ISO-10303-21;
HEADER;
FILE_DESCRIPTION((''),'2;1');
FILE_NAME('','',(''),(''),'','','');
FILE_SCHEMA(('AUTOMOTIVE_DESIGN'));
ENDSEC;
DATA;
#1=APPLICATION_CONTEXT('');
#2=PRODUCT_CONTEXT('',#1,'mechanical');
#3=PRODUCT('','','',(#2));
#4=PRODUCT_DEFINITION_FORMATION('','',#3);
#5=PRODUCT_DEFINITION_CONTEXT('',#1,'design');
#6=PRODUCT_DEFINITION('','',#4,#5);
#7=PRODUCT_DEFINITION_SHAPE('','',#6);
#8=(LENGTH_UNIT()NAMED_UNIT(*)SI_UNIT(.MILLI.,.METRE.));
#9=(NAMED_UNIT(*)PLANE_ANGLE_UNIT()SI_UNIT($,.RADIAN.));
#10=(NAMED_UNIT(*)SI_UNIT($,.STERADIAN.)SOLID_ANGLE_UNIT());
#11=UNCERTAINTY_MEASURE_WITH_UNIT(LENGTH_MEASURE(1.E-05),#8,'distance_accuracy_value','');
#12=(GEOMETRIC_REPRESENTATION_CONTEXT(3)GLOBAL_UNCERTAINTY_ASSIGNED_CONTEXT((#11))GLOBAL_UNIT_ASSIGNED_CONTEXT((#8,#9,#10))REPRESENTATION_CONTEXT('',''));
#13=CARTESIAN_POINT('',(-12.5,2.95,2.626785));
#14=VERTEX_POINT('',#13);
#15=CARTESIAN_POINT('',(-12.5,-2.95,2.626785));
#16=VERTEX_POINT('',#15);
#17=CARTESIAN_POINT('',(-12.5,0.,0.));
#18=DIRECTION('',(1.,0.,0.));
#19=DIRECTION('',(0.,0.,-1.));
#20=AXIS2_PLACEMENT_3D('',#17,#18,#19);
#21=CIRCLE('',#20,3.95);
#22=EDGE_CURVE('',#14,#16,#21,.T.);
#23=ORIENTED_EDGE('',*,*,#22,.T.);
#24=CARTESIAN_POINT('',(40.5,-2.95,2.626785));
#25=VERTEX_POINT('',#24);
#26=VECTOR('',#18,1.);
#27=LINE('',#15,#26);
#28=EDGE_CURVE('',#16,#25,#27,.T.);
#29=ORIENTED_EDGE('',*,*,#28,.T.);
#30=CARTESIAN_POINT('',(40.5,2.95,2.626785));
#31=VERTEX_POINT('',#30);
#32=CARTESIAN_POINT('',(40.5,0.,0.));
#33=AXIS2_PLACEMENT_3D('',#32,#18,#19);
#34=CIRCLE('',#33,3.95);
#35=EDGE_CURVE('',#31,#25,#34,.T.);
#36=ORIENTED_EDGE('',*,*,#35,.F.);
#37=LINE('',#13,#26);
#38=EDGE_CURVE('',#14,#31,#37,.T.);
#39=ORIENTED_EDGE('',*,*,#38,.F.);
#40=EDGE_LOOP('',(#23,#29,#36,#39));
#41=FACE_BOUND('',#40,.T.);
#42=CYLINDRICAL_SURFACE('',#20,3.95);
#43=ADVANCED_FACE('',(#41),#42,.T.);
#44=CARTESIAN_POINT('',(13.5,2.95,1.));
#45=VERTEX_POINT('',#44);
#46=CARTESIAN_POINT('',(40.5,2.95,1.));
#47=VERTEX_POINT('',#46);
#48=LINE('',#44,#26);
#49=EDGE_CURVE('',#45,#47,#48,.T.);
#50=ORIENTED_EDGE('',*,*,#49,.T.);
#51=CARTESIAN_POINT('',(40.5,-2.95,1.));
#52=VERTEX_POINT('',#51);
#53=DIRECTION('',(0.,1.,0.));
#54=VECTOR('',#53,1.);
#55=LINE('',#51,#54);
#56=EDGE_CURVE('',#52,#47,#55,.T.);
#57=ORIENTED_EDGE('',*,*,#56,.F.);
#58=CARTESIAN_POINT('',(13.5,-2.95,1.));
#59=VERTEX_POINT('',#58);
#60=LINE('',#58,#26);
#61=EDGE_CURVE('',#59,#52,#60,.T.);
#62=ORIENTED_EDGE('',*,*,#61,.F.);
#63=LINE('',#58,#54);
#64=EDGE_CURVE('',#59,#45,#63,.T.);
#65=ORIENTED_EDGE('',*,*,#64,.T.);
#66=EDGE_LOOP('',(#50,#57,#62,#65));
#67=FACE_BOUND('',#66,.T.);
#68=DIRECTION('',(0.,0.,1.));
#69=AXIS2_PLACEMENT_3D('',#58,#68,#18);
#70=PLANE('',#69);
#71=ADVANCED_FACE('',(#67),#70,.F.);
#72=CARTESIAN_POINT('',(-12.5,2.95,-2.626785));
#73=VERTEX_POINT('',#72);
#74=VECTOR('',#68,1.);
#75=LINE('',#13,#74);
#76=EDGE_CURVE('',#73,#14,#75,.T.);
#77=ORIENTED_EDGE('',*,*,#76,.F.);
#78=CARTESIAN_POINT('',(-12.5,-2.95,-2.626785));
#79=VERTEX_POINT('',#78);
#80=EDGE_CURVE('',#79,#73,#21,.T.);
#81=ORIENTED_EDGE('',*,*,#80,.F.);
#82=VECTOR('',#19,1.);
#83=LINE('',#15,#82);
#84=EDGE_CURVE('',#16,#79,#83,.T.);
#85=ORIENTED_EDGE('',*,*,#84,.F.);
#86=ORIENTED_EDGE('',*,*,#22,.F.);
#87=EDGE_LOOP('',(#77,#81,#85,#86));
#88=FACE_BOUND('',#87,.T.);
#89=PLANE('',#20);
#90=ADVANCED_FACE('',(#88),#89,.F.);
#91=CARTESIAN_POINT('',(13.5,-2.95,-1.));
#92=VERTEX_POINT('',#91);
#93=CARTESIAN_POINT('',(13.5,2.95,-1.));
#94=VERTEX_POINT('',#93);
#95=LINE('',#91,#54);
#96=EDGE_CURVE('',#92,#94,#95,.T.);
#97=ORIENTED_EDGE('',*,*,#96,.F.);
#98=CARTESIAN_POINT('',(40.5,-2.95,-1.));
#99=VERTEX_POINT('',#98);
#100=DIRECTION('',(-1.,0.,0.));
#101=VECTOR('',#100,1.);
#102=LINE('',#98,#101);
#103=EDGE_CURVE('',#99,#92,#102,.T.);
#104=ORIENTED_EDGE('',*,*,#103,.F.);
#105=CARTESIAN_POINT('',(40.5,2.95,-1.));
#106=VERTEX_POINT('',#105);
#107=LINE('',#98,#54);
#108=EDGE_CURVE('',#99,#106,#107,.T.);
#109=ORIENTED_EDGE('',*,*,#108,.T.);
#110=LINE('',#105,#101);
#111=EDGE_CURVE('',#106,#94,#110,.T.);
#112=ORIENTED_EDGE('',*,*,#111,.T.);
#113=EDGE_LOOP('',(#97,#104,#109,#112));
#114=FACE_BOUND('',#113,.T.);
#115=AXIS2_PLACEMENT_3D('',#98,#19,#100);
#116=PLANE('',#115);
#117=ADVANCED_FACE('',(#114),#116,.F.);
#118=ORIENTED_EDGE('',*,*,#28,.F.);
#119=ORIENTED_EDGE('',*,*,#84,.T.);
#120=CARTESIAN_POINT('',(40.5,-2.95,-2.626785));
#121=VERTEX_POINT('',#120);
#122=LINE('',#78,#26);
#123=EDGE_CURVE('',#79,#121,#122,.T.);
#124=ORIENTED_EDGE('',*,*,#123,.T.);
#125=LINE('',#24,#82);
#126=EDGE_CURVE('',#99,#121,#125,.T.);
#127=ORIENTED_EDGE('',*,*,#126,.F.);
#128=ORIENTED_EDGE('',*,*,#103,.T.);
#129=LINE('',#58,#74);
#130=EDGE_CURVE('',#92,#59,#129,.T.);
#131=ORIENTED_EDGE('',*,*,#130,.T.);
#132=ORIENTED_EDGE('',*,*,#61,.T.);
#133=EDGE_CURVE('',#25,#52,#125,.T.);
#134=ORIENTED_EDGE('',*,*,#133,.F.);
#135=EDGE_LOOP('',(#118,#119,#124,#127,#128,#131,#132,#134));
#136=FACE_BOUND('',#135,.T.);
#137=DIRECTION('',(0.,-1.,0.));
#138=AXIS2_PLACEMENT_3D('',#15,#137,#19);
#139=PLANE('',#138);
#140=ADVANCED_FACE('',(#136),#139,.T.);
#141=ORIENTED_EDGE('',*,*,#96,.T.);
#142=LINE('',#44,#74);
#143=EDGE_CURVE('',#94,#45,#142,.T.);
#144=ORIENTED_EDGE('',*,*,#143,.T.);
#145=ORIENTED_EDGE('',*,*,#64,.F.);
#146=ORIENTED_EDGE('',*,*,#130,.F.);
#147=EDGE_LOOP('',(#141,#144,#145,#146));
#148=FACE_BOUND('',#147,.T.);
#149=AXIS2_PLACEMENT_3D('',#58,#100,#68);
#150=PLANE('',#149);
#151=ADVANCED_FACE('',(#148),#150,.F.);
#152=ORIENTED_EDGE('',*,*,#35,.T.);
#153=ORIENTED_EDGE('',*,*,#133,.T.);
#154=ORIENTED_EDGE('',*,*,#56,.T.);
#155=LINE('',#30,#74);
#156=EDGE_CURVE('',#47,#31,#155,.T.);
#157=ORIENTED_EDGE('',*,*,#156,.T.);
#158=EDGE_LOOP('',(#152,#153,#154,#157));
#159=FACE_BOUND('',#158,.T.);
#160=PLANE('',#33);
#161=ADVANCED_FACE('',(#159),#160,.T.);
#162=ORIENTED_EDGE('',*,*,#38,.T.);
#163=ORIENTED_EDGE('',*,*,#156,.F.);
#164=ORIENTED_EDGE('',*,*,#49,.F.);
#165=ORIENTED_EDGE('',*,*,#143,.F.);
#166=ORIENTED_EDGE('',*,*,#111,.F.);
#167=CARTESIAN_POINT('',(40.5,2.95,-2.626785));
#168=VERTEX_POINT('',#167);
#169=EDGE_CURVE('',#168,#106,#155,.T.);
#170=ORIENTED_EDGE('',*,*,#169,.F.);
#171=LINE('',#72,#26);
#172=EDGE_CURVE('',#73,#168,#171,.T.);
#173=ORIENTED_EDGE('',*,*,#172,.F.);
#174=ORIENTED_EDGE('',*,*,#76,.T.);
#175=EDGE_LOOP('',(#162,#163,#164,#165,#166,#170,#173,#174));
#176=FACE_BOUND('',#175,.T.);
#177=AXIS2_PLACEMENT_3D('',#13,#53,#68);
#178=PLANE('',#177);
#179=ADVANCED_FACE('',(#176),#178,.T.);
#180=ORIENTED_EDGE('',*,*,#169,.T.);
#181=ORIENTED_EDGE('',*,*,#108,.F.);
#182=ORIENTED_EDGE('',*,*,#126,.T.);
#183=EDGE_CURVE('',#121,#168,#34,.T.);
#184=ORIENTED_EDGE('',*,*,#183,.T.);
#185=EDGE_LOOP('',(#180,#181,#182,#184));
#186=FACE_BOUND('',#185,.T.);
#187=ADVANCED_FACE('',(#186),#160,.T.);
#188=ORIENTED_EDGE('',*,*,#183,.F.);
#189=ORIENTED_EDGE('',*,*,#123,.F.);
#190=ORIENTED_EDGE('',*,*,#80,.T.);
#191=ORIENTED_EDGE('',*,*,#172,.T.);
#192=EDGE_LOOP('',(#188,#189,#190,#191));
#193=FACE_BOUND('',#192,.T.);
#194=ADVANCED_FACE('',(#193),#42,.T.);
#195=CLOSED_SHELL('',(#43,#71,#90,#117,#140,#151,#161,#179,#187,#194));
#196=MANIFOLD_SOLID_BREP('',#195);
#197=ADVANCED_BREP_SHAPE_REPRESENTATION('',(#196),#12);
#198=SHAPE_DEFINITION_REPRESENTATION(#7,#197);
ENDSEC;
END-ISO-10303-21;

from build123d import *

# Parameters (mm, degrees)
BOSS_EXTRUDE1_DEPTH      = 40.5
BOSS_EXTRUDE1_DEPTH_BACK = 12.5
CUT_EXTRUDE2_DEPTH       = 6.9


with BuildPart() as part:
    # Sketch1 → Boss-Extrude1 (new body, two sides)
    with BuildSketch(Plane(origin=(0, 0, 0), x_dir=(0, 0, -1), z_dir=(1, 0, 0))) as boss_extrude1_sk:
        with BuildLine():
            Line((-2.626785107, 2.95), (2.626785107, 2.95))
            ThreePointArc((2.626785107, 2.95), (3.95, 0), (2.626785107, -2.95))
            Line((2.626785107, -2.95), (-2.626785107, -2.95))
            ThreePointArc((-2.626785107, -2.95), (-3.95, 0), (-2.626785107, 2.95))
        make_face()
    extrude(amount=BOSS_EXTRUDE1_DEPTH)
    extrude(boss_extrude1_sk.sketch, amount=-BOSS_EXTRUDE1_DEPTH_BACK)

    # Sketch5 → Cut-Extrude2 (cut, through all)
    with BuildSketch(Plane(origin=(0, 2.95, 0), x_dir=(1, 0, 0), z_dir=(0, 1, 0))):
        Polygon((40.5, 0), (40.5, 1), (13.5, 1), (13.5, -1), (40.5, -1), align=None)
    extrude(amount=-CUT_EXTRUDE2_DEPTH, mode=Mode.SUBTRACT)


solid = part.part
